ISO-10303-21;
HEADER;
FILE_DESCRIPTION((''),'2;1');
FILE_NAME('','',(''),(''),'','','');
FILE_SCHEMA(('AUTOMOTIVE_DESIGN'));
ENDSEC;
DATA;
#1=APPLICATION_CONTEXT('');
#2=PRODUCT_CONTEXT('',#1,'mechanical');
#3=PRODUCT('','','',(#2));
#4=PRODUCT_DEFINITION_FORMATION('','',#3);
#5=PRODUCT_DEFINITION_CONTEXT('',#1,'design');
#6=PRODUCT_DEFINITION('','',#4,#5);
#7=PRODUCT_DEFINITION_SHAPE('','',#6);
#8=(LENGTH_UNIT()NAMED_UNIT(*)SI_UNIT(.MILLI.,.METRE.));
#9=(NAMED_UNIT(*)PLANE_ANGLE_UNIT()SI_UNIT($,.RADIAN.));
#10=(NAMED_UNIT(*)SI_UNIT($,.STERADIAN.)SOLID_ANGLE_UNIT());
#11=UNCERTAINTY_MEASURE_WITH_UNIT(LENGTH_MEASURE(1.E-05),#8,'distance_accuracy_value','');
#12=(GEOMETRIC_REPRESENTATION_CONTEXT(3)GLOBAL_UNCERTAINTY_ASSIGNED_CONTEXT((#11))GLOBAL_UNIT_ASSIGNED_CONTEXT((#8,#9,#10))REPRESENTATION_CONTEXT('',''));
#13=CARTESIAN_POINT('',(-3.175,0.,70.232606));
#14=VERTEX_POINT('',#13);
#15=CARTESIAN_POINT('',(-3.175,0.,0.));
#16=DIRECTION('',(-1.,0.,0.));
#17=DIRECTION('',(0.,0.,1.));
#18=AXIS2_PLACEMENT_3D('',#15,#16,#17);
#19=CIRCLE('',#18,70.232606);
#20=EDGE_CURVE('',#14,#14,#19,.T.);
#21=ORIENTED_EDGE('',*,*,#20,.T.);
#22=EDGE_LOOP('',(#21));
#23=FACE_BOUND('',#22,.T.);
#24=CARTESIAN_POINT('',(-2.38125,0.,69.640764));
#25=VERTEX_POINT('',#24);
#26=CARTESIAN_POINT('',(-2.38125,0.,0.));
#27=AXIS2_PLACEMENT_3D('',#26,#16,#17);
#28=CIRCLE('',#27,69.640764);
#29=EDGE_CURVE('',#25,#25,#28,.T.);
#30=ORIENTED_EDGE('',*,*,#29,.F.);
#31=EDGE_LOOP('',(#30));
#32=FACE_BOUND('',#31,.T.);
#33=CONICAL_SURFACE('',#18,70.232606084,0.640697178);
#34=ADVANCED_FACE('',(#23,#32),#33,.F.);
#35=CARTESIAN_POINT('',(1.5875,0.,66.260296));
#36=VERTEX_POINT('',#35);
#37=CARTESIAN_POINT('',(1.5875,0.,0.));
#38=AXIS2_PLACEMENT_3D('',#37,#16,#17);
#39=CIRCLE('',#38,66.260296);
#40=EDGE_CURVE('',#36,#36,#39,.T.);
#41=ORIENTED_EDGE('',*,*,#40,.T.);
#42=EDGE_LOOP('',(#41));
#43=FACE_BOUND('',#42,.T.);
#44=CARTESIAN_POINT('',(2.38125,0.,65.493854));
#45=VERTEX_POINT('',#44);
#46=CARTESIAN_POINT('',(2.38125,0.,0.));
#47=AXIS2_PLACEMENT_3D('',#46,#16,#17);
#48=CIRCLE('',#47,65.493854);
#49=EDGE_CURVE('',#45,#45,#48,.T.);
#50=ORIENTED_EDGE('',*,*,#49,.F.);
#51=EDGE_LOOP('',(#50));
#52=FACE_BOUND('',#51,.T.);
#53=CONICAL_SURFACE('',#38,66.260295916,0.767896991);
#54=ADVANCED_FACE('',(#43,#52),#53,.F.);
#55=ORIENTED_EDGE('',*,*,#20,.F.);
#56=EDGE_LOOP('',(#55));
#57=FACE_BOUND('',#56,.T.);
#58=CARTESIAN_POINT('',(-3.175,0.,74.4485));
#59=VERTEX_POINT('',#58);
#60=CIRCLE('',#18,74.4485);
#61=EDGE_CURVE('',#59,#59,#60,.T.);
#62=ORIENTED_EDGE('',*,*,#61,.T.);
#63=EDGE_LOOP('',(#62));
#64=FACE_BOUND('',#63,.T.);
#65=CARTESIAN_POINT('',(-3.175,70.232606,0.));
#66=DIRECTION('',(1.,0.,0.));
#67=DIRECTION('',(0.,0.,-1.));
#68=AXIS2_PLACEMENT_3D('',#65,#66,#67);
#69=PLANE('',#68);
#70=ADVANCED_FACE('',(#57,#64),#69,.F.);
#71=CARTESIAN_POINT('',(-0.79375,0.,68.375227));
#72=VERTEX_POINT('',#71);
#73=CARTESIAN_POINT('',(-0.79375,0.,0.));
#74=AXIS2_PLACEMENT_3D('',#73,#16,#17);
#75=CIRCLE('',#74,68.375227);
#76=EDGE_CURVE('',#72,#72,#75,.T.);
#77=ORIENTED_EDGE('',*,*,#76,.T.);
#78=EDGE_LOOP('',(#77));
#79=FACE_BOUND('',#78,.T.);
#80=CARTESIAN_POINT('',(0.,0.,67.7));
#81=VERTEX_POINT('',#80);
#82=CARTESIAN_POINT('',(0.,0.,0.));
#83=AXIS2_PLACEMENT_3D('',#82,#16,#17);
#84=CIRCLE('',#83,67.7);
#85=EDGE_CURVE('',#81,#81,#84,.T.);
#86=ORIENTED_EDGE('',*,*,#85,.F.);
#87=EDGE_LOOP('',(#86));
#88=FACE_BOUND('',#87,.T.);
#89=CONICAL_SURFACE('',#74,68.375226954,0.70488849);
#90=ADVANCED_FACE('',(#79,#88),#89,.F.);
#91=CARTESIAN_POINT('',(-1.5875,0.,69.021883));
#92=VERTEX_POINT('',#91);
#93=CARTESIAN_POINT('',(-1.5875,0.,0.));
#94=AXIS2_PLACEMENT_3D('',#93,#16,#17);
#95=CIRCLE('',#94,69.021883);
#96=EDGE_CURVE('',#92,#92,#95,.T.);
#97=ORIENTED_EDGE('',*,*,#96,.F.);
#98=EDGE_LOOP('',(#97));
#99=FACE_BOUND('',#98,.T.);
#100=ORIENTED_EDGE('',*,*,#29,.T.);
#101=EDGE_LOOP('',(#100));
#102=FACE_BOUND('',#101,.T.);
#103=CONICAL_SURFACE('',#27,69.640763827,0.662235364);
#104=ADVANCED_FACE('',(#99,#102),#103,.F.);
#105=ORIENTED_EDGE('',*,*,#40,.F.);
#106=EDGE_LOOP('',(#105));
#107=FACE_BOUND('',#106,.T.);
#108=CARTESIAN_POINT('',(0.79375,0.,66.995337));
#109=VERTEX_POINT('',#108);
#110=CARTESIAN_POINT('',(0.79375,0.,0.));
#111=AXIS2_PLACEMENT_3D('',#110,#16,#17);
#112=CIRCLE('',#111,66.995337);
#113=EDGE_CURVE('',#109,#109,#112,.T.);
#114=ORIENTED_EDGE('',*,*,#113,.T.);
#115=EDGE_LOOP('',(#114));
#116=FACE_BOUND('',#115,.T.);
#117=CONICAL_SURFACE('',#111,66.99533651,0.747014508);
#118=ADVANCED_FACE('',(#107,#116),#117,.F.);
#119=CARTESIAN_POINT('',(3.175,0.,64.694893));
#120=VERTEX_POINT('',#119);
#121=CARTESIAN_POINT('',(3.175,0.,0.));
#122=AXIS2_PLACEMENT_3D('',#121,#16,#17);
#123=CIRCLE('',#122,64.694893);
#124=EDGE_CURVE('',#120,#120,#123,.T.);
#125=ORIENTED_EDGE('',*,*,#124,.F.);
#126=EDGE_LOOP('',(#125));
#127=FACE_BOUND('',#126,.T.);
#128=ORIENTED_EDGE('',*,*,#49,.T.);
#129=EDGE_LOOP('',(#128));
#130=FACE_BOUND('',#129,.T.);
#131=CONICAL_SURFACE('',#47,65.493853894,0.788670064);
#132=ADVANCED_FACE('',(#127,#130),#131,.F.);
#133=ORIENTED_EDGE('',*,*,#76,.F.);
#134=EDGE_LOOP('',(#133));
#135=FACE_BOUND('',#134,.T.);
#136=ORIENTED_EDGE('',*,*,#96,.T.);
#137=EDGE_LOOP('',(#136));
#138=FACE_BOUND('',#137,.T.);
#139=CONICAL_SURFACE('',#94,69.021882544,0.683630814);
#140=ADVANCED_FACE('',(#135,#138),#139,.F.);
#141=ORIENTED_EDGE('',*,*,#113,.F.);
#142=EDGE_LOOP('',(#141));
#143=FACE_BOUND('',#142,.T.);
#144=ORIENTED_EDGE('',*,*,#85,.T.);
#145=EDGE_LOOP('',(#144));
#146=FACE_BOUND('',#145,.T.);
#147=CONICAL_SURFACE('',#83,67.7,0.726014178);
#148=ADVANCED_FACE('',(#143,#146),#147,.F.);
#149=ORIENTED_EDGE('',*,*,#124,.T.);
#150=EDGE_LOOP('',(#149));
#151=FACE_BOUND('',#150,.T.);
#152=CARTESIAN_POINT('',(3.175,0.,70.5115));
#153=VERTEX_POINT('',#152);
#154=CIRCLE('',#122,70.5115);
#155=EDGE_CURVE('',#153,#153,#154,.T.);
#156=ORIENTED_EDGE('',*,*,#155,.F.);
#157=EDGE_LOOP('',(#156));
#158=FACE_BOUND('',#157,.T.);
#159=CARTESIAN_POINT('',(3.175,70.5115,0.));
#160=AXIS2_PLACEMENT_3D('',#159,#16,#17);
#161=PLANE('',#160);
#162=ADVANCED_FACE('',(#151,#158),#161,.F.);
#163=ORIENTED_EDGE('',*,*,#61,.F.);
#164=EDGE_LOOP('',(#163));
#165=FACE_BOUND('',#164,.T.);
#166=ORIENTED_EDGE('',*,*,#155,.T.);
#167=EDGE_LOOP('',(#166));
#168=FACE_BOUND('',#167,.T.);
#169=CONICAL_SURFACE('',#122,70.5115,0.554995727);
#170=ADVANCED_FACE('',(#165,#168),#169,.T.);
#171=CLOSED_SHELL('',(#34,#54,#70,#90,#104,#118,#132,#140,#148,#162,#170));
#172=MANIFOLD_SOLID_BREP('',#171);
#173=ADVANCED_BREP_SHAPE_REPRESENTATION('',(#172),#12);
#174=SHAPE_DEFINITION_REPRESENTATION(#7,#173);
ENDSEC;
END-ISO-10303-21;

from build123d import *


with BuildPart() as part:
    # Bottle_Liner_Top Sketch → Bottle_Liner_Top (revolve)
    with BuildSketch(Plane.XY):
        Polygon((3.175, 64.694892683), (2.38125, 65.493853894), (1.5875, 66.260295916), (0.79375, 66.99533651), (0, 67.7), (-0.79375, 68.375226954), (-1.5875, 69.021882544), (-2.38125, 69.640763827), (-3.175, 70.232606084), (-3.175, 74.4485), (3.175, 70.5115), align=None)
    revolve(axis=Axis((-300, 0, 0), (1, 0, 0)))


solid = part.part
